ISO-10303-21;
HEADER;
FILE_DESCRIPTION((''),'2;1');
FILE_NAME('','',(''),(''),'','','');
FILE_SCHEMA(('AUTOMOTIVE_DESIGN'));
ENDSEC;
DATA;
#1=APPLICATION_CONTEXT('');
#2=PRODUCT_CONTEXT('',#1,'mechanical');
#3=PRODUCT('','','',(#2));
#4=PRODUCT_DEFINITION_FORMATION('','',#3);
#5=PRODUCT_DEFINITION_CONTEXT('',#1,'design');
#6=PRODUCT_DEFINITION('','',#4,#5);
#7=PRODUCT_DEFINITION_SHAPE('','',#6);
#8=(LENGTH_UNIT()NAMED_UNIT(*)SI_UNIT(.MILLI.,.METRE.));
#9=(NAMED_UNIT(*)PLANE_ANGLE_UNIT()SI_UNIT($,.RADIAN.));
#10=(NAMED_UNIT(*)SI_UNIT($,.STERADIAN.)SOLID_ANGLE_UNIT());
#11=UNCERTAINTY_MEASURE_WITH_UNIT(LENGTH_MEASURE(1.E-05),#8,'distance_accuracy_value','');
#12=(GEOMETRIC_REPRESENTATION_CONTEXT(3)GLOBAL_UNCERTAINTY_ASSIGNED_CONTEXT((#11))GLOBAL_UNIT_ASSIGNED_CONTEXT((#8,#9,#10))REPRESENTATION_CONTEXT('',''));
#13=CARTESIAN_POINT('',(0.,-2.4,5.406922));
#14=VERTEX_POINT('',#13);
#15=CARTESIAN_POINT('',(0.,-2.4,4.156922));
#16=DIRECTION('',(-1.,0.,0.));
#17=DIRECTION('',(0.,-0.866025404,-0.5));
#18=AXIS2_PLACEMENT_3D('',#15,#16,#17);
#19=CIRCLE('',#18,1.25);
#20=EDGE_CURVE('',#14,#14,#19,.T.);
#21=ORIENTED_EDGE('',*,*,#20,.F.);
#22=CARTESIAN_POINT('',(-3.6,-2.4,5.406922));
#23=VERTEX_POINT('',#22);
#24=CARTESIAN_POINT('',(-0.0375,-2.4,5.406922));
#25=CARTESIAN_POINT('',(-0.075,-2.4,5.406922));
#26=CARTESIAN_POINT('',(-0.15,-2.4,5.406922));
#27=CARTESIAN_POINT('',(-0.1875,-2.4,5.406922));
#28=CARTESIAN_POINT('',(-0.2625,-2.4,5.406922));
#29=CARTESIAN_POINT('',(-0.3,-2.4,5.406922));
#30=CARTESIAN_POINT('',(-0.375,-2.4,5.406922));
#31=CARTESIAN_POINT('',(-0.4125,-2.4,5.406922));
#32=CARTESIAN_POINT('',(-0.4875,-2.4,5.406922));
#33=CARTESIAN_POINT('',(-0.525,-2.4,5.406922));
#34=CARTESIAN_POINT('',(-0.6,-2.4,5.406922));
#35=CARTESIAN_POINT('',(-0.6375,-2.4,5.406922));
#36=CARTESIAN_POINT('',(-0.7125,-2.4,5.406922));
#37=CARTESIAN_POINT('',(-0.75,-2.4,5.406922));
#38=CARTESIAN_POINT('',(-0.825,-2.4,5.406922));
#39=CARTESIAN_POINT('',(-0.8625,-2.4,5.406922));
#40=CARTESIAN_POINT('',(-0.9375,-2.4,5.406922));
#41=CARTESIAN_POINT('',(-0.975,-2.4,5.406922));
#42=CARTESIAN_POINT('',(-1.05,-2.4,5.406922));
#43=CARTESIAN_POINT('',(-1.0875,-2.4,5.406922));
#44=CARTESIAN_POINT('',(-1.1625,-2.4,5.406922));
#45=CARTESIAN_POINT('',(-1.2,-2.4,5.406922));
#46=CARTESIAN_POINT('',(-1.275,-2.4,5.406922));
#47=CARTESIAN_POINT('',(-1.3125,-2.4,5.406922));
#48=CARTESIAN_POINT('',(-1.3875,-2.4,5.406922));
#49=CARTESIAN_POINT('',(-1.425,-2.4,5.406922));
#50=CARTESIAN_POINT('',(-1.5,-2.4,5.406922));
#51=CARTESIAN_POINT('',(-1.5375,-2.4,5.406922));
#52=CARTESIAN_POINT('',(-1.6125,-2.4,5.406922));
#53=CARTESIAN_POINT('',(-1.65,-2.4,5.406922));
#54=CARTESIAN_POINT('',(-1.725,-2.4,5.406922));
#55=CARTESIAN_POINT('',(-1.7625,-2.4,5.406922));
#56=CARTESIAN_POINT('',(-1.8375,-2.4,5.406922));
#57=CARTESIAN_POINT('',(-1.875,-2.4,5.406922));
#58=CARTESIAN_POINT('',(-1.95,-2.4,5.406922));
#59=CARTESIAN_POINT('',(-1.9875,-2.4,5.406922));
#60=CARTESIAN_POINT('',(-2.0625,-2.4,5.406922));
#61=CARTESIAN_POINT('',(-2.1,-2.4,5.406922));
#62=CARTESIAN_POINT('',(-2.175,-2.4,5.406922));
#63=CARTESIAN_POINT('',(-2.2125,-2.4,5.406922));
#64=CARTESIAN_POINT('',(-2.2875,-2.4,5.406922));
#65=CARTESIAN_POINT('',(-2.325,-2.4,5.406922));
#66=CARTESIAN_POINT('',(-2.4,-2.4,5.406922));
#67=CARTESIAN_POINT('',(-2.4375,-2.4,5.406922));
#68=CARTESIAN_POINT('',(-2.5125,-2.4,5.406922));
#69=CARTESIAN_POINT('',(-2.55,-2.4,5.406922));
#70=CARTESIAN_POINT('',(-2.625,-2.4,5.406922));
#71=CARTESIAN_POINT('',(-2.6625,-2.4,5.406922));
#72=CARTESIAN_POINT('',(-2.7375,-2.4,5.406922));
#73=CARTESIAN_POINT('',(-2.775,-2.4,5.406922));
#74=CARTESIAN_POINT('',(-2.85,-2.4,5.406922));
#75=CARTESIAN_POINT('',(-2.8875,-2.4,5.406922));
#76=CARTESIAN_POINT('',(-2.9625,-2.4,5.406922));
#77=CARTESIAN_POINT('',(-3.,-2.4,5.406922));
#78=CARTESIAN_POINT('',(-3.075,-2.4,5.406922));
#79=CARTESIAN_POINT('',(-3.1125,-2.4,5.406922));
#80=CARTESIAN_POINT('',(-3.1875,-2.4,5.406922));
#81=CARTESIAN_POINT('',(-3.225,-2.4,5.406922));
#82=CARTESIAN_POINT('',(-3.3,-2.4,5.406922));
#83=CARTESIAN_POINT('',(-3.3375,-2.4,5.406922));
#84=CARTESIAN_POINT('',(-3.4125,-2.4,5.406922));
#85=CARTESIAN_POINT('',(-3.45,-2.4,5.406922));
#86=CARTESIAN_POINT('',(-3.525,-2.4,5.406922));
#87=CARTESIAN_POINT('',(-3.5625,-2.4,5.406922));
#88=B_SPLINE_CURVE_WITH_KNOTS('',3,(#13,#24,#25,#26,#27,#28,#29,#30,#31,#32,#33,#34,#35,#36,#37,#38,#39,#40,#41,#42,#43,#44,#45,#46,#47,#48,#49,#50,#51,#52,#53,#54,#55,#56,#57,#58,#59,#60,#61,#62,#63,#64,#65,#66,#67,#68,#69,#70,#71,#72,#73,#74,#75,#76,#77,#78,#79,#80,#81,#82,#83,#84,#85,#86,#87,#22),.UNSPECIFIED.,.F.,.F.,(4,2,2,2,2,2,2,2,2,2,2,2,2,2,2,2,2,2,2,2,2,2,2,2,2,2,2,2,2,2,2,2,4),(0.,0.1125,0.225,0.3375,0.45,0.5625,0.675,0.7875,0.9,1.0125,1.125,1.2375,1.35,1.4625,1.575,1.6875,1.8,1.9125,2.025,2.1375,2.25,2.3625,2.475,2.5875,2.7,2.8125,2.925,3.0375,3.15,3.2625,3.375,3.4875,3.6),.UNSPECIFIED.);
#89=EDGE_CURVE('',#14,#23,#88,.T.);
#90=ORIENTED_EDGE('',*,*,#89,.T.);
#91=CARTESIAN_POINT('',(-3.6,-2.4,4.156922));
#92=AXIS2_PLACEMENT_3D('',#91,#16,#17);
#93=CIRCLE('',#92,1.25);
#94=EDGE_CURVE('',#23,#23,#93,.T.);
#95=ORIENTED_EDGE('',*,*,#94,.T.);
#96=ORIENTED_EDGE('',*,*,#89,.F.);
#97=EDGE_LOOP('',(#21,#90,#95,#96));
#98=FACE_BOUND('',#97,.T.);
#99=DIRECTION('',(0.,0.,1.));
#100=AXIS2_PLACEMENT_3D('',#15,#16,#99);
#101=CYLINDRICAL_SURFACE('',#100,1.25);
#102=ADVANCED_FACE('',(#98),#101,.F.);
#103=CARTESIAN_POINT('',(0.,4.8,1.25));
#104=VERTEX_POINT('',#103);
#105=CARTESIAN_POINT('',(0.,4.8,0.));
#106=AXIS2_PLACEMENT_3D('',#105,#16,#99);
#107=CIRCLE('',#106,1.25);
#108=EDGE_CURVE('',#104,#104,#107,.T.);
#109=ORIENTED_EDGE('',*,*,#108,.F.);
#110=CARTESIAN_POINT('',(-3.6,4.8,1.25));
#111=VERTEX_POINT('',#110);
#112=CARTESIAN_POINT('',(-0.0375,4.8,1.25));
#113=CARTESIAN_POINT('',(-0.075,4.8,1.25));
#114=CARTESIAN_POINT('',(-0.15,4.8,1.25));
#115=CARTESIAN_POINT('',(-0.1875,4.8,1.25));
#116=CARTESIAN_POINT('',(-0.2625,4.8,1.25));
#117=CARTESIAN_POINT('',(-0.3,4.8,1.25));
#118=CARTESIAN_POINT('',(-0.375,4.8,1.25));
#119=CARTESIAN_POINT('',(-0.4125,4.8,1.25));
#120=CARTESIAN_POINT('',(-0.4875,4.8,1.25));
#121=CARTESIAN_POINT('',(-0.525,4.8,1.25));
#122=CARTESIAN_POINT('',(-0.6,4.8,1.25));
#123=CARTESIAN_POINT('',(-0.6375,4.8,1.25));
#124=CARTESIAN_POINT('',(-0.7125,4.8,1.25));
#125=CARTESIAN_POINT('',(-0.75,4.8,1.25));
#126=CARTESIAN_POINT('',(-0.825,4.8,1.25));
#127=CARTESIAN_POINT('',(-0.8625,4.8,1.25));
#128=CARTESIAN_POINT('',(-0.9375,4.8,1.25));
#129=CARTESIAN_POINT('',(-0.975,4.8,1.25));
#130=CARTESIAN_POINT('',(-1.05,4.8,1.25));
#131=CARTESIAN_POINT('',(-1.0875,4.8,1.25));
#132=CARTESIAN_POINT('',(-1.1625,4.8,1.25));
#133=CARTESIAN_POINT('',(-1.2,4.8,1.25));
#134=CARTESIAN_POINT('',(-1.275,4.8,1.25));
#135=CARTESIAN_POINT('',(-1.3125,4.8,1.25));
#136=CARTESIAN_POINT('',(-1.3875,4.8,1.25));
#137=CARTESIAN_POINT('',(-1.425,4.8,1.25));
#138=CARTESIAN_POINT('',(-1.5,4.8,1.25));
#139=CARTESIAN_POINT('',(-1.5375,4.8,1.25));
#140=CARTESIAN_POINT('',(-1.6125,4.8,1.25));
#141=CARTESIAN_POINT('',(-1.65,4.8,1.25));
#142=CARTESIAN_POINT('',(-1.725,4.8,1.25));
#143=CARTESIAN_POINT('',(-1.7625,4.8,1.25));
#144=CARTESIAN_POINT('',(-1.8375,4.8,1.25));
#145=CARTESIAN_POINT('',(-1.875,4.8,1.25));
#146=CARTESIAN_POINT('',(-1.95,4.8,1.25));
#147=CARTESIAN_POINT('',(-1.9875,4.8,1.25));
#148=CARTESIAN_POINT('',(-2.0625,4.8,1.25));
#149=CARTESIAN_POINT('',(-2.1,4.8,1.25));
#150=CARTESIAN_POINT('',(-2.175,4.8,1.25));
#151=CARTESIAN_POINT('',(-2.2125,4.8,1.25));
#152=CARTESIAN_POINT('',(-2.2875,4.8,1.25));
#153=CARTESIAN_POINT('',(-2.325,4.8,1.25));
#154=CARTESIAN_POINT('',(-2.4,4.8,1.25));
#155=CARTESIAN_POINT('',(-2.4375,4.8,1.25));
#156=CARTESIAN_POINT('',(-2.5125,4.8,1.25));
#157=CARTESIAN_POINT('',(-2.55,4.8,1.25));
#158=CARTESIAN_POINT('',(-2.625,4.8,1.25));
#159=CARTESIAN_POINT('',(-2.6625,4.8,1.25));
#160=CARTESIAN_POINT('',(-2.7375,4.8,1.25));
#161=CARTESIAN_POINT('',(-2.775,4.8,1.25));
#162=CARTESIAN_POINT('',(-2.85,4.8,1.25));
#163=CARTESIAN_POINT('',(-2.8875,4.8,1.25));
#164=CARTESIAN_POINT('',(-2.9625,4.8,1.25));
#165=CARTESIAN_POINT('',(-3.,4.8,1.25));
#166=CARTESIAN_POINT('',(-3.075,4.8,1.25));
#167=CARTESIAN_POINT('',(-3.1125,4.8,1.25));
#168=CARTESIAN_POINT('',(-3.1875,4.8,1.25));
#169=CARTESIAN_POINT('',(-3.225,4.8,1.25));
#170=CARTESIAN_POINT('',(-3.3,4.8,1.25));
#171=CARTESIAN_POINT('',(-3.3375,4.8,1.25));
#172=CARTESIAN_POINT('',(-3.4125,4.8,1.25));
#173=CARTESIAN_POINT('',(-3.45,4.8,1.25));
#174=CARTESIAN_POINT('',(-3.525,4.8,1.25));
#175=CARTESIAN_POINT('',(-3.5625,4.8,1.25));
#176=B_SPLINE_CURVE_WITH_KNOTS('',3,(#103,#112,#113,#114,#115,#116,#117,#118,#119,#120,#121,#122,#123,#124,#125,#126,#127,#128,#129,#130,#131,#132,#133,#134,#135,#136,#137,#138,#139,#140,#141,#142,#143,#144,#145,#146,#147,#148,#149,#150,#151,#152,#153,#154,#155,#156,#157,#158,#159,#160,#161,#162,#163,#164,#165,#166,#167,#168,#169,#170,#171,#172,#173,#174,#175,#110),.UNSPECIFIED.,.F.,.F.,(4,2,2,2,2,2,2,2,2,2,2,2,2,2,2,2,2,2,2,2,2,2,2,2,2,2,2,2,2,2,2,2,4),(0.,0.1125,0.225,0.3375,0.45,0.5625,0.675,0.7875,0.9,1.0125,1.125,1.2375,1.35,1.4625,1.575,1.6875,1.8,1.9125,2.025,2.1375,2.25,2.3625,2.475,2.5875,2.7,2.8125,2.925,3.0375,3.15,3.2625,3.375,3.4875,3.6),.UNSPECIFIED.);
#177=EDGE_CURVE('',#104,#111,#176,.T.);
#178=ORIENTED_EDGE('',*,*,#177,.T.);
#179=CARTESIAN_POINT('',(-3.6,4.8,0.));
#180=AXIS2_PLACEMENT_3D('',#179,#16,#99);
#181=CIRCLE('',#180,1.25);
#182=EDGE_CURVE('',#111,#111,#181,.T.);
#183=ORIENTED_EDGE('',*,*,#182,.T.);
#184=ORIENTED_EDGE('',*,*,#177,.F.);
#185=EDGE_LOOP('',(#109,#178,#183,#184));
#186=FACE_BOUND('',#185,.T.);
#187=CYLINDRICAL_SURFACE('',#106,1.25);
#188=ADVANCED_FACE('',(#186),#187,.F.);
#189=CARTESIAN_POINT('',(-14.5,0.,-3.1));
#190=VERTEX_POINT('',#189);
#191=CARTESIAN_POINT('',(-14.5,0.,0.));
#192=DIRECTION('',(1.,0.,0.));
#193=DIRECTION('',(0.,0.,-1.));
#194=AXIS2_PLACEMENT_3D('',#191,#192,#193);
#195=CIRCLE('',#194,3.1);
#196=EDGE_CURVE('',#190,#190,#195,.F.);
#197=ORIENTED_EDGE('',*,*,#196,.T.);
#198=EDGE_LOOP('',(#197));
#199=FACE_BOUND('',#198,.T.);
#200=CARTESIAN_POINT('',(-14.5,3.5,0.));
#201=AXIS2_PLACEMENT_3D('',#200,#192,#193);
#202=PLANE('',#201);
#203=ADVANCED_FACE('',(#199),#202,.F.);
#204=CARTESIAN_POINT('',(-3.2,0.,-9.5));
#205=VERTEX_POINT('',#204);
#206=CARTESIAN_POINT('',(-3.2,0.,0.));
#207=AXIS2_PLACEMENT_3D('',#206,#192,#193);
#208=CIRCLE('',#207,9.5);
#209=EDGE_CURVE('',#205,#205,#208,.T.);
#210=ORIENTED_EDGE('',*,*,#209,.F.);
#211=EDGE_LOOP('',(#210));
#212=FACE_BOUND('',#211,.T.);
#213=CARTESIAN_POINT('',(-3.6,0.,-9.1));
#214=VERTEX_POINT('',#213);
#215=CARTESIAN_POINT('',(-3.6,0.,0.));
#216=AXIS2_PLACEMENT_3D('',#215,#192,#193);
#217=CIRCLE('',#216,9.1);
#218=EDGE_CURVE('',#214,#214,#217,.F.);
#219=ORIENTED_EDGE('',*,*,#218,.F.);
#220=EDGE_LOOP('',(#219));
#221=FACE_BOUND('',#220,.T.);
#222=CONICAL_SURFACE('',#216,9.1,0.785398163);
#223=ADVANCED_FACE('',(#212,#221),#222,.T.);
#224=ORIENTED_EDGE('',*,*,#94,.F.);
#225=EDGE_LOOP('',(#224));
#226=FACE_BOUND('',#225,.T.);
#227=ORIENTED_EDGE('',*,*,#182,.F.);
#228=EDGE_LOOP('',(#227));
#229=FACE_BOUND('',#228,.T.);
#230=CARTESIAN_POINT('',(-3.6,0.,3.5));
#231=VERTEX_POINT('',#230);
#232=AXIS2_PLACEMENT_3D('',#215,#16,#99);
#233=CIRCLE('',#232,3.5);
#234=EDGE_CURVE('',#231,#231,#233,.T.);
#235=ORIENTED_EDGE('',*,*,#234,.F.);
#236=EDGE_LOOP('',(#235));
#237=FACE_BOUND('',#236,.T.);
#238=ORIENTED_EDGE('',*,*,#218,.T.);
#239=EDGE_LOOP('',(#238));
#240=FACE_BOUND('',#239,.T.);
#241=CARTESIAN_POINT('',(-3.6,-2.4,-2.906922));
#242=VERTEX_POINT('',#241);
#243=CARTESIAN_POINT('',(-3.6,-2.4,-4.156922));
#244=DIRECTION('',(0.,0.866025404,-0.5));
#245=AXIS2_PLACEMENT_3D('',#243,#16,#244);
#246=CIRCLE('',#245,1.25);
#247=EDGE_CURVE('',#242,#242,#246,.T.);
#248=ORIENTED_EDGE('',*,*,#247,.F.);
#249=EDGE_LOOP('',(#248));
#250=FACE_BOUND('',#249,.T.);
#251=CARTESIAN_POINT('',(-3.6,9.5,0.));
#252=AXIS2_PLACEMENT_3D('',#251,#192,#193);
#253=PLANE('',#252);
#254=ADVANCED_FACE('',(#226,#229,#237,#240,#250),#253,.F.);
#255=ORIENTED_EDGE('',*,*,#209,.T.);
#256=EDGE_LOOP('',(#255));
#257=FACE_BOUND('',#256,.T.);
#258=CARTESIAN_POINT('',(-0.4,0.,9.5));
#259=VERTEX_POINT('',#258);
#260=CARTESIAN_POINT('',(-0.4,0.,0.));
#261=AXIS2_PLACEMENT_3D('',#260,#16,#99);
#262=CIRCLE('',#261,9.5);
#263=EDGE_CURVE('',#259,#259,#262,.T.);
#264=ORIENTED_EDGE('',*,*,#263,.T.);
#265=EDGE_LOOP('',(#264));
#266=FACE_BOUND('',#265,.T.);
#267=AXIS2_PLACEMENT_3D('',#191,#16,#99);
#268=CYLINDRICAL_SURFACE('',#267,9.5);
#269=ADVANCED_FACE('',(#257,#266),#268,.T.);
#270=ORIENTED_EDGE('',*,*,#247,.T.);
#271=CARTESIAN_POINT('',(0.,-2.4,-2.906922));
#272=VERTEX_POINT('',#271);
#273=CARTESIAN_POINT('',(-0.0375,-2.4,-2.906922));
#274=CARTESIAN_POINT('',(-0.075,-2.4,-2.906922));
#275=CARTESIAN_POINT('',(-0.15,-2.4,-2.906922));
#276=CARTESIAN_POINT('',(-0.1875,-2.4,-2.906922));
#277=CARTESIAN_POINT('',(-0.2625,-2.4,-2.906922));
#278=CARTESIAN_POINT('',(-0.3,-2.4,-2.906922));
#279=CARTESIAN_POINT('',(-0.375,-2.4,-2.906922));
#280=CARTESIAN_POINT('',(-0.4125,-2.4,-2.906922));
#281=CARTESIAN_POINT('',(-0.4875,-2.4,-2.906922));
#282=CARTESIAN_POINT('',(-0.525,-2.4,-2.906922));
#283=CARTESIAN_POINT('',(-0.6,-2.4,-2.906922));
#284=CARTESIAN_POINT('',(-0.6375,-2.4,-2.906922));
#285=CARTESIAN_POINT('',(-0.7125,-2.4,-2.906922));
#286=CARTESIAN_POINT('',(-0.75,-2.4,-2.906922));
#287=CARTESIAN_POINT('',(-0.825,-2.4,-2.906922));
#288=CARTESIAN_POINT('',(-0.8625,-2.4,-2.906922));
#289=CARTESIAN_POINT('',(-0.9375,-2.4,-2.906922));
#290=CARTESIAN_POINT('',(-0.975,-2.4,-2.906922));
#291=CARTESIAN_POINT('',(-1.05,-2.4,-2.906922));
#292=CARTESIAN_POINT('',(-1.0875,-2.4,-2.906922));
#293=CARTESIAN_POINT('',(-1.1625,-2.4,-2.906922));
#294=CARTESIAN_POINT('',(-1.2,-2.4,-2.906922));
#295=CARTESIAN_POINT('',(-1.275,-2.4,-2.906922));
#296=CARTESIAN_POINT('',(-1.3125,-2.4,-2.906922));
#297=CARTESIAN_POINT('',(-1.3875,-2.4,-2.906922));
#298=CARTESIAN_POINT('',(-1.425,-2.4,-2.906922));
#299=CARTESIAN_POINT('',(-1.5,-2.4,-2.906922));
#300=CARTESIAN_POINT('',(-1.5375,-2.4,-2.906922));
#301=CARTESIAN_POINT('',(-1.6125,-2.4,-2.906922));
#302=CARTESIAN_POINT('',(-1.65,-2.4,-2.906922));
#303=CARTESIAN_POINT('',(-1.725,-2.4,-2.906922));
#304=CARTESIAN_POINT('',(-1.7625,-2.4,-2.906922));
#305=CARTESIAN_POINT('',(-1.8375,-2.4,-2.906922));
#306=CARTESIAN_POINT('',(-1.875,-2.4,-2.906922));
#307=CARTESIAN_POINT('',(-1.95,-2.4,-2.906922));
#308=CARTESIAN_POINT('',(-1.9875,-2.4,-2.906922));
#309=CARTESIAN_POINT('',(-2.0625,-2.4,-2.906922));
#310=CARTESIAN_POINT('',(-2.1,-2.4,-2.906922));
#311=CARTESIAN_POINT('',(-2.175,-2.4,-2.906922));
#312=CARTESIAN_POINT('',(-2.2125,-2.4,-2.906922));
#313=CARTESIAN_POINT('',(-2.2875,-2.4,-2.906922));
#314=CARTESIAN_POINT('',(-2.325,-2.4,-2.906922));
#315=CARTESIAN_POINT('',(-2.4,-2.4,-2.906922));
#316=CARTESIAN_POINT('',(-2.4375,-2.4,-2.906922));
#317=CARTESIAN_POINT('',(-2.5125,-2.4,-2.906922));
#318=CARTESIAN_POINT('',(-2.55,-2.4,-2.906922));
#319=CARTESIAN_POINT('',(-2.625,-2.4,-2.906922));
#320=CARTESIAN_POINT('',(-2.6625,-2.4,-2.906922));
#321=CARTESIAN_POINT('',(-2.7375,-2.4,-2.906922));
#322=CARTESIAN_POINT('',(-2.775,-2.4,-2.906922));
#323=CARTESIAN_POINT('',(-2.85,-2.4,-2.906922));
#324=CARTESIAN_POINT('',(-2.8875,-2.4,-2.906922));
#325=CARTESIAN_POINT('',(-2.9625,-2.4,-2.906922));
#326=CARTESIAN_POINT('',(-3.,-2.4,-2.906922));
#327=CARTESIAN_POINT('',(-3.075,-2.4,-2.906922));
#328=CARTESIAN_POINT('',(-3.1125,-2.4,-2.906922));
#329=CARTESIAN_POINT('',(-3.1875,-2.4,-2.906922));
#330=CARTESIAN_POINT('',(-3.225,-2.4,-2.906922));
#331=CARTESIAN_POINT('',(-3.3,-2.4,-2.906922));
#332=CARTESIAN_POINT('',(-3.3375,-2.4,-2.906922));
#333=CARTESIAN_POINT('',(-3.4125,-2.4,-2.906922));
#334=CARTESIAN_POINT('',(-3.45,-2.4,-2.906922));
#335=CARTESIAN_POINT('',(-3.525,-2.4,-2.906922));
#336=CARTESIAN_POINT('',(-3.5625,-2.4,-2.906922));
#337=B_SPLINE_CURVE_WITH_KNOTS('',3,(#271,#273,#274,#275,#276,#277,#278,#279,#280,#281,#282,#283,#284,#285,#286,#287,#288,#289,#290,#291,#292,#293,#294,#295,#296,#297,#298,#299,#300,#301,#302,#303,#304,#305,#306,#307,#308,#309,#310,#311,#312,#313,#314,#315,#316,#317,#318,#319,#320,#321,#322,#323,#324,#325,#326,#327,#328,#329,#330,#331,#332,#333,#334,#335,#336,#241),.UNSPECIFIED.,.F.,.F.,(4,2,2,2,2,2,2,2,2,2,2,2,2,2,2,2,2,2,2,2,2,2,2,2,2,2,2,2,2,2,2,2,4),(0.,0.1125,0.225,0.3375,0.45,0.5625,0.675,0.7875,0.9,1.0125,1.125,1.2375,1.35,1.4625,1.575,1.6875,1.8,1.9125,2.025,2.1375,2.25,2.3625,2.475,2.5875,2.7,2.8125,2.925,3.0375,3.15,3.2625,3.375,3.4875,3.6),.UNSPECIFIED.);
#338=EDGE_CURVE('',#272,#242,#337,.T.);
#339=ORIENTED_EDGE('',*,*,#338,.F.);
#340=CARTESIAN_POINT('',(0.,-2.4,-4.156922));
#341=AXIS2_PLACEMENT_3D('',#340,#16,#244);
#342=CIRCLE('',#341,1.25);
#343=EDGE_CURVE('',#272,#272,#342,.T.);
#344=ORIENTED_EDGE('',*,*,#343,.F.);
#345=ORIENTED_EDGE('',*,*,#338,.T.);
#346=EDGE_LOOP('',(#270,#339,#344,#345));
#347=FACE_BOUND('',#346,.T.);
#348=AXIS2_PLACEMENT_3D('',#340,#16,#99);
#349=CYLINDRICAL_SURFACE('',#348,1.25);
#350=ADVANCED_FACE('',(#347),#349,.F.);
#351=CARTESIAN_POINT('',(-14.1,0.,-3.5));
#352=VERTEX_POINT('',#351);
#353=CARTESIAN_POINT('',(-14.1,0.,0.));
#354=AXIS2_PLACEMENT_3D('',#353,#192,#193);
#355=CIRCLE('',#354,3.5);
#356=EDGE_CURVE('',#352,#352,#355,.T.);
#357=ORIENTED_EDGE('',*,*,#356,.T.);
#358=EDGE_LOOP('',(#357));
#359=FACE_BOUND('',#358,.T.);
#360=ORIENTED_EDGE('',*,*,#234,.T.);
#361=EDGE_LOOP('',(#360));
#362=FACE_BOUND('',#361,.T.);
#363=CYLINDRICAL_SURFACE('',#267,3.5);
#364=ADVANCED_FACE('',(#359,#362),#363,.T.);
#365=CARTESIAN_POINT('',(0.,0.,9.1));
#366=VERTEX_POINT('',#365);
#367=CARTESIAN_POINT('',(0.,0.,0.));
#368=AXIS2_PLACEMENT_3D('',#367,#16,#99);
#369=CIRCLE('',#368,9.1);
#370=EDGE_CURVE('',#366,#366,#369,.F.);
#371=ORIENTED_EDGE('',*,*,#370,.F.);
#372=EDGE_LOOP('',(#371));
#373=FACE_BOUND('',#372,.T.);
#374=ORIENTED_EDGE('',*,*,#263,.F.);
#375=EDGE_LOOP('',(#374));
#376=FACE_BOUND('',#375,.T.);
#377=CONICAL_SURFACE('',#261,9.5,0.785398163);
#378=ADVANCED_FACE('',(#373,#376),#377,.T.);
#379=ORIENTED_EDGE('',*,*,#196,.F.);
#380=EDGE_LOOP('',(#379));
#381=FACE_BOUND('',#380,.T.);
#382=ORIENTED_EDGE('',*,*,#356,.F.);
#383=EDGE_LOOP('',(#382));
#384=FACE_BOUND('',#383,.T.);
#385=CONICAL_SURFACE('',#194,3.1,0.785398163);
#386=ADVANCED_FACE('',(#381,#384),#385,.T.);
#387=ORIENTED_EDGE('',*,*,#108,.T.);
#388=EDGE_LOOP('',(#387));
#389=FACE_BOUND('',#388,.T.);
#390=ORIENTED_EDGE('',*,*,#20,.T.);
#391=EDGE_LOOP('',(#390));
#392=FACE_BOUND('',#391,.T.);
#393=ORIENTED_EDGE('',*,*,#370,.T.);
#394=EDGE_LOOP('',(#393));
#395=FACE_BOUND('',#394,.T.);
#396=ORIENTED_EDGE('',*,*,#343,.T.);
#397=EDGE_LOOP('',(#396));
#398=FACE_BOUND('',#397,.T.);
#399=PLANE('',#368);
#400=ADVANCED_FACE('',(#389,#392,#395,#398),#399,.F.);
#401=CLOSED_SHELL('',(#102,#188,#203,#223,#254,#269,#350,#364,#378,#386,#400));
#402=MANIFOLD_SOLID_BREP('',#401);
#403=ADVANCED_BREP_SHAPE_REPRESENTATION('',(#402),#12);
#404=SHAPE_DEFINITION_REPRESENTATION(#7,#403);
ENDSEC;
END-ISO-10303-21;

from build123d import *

# Parameters (mm, degrees)
SKETCH_3_R               = 1.25
CUT_EXTRUDE_1_DEPTH      = 18.300578025
CHAMFER_1_SIZE           = 0.4
PATTERN_CIRCULAR_1_COUNT = 3


with BuildPart() as part:
    # Эскиз2 → Повернуть1 (revolve)
    with BuildSketch(Plane.XY, mode=Mode.PRIVATE) as revolve_1_sk:
        Polygon((0, 0), (0, 9.5), (-3.6, 9.5), (-3.6, 3.5), (-14.5, 3.5), (-14.5, 0), align=None)
    revolve(revolve_1_sk.sketch.rotate(Axis((-14.5, 0, 0), (1, 0, 0)), 90), axis=Axis((-14.5, 0, 0), (1, 0, 0)))

    # Эскиз3 → Вырез-Вытянуть1 (cut, through all)
    with BuildSketch(Plane.ZY.offset(3.6)):
        with Locations((0, 4.8)):
            Circle(SKETCH_3_R)
    cut_extrude_1 = extrude(amount=-CUT_EXTRUDE_1_DEPTH, mode=Mode.SUBTRACT)

    # Фаска1
    chamfer_1_edges = [part.edges().sort_by_distance(p)[0] for p in [
        (-14.5, 0, -3.5),
        (-3.6, 0, -9.5),
        (0, 0, -9.5),
    ]]
    chamfer(chamfer_1_edges, length=CHAMFER_1_SIZE)

    # Круговой массив1: Вырез-Вытянуть1 ×3 about axis
    pattern_circular_1_axis = Axis((0, 0, 0), (1, 0, 0))
    for i in range(1, PATTERN_CIRCULAR_1_COUNT):
        add(cut_extrude_1.rotate(pattern_circular_1_axis, i * 360 / PATTERN_CIRCULAR_1_COUNT), mode=Mode.SUBTRACT)


solid = part.part
